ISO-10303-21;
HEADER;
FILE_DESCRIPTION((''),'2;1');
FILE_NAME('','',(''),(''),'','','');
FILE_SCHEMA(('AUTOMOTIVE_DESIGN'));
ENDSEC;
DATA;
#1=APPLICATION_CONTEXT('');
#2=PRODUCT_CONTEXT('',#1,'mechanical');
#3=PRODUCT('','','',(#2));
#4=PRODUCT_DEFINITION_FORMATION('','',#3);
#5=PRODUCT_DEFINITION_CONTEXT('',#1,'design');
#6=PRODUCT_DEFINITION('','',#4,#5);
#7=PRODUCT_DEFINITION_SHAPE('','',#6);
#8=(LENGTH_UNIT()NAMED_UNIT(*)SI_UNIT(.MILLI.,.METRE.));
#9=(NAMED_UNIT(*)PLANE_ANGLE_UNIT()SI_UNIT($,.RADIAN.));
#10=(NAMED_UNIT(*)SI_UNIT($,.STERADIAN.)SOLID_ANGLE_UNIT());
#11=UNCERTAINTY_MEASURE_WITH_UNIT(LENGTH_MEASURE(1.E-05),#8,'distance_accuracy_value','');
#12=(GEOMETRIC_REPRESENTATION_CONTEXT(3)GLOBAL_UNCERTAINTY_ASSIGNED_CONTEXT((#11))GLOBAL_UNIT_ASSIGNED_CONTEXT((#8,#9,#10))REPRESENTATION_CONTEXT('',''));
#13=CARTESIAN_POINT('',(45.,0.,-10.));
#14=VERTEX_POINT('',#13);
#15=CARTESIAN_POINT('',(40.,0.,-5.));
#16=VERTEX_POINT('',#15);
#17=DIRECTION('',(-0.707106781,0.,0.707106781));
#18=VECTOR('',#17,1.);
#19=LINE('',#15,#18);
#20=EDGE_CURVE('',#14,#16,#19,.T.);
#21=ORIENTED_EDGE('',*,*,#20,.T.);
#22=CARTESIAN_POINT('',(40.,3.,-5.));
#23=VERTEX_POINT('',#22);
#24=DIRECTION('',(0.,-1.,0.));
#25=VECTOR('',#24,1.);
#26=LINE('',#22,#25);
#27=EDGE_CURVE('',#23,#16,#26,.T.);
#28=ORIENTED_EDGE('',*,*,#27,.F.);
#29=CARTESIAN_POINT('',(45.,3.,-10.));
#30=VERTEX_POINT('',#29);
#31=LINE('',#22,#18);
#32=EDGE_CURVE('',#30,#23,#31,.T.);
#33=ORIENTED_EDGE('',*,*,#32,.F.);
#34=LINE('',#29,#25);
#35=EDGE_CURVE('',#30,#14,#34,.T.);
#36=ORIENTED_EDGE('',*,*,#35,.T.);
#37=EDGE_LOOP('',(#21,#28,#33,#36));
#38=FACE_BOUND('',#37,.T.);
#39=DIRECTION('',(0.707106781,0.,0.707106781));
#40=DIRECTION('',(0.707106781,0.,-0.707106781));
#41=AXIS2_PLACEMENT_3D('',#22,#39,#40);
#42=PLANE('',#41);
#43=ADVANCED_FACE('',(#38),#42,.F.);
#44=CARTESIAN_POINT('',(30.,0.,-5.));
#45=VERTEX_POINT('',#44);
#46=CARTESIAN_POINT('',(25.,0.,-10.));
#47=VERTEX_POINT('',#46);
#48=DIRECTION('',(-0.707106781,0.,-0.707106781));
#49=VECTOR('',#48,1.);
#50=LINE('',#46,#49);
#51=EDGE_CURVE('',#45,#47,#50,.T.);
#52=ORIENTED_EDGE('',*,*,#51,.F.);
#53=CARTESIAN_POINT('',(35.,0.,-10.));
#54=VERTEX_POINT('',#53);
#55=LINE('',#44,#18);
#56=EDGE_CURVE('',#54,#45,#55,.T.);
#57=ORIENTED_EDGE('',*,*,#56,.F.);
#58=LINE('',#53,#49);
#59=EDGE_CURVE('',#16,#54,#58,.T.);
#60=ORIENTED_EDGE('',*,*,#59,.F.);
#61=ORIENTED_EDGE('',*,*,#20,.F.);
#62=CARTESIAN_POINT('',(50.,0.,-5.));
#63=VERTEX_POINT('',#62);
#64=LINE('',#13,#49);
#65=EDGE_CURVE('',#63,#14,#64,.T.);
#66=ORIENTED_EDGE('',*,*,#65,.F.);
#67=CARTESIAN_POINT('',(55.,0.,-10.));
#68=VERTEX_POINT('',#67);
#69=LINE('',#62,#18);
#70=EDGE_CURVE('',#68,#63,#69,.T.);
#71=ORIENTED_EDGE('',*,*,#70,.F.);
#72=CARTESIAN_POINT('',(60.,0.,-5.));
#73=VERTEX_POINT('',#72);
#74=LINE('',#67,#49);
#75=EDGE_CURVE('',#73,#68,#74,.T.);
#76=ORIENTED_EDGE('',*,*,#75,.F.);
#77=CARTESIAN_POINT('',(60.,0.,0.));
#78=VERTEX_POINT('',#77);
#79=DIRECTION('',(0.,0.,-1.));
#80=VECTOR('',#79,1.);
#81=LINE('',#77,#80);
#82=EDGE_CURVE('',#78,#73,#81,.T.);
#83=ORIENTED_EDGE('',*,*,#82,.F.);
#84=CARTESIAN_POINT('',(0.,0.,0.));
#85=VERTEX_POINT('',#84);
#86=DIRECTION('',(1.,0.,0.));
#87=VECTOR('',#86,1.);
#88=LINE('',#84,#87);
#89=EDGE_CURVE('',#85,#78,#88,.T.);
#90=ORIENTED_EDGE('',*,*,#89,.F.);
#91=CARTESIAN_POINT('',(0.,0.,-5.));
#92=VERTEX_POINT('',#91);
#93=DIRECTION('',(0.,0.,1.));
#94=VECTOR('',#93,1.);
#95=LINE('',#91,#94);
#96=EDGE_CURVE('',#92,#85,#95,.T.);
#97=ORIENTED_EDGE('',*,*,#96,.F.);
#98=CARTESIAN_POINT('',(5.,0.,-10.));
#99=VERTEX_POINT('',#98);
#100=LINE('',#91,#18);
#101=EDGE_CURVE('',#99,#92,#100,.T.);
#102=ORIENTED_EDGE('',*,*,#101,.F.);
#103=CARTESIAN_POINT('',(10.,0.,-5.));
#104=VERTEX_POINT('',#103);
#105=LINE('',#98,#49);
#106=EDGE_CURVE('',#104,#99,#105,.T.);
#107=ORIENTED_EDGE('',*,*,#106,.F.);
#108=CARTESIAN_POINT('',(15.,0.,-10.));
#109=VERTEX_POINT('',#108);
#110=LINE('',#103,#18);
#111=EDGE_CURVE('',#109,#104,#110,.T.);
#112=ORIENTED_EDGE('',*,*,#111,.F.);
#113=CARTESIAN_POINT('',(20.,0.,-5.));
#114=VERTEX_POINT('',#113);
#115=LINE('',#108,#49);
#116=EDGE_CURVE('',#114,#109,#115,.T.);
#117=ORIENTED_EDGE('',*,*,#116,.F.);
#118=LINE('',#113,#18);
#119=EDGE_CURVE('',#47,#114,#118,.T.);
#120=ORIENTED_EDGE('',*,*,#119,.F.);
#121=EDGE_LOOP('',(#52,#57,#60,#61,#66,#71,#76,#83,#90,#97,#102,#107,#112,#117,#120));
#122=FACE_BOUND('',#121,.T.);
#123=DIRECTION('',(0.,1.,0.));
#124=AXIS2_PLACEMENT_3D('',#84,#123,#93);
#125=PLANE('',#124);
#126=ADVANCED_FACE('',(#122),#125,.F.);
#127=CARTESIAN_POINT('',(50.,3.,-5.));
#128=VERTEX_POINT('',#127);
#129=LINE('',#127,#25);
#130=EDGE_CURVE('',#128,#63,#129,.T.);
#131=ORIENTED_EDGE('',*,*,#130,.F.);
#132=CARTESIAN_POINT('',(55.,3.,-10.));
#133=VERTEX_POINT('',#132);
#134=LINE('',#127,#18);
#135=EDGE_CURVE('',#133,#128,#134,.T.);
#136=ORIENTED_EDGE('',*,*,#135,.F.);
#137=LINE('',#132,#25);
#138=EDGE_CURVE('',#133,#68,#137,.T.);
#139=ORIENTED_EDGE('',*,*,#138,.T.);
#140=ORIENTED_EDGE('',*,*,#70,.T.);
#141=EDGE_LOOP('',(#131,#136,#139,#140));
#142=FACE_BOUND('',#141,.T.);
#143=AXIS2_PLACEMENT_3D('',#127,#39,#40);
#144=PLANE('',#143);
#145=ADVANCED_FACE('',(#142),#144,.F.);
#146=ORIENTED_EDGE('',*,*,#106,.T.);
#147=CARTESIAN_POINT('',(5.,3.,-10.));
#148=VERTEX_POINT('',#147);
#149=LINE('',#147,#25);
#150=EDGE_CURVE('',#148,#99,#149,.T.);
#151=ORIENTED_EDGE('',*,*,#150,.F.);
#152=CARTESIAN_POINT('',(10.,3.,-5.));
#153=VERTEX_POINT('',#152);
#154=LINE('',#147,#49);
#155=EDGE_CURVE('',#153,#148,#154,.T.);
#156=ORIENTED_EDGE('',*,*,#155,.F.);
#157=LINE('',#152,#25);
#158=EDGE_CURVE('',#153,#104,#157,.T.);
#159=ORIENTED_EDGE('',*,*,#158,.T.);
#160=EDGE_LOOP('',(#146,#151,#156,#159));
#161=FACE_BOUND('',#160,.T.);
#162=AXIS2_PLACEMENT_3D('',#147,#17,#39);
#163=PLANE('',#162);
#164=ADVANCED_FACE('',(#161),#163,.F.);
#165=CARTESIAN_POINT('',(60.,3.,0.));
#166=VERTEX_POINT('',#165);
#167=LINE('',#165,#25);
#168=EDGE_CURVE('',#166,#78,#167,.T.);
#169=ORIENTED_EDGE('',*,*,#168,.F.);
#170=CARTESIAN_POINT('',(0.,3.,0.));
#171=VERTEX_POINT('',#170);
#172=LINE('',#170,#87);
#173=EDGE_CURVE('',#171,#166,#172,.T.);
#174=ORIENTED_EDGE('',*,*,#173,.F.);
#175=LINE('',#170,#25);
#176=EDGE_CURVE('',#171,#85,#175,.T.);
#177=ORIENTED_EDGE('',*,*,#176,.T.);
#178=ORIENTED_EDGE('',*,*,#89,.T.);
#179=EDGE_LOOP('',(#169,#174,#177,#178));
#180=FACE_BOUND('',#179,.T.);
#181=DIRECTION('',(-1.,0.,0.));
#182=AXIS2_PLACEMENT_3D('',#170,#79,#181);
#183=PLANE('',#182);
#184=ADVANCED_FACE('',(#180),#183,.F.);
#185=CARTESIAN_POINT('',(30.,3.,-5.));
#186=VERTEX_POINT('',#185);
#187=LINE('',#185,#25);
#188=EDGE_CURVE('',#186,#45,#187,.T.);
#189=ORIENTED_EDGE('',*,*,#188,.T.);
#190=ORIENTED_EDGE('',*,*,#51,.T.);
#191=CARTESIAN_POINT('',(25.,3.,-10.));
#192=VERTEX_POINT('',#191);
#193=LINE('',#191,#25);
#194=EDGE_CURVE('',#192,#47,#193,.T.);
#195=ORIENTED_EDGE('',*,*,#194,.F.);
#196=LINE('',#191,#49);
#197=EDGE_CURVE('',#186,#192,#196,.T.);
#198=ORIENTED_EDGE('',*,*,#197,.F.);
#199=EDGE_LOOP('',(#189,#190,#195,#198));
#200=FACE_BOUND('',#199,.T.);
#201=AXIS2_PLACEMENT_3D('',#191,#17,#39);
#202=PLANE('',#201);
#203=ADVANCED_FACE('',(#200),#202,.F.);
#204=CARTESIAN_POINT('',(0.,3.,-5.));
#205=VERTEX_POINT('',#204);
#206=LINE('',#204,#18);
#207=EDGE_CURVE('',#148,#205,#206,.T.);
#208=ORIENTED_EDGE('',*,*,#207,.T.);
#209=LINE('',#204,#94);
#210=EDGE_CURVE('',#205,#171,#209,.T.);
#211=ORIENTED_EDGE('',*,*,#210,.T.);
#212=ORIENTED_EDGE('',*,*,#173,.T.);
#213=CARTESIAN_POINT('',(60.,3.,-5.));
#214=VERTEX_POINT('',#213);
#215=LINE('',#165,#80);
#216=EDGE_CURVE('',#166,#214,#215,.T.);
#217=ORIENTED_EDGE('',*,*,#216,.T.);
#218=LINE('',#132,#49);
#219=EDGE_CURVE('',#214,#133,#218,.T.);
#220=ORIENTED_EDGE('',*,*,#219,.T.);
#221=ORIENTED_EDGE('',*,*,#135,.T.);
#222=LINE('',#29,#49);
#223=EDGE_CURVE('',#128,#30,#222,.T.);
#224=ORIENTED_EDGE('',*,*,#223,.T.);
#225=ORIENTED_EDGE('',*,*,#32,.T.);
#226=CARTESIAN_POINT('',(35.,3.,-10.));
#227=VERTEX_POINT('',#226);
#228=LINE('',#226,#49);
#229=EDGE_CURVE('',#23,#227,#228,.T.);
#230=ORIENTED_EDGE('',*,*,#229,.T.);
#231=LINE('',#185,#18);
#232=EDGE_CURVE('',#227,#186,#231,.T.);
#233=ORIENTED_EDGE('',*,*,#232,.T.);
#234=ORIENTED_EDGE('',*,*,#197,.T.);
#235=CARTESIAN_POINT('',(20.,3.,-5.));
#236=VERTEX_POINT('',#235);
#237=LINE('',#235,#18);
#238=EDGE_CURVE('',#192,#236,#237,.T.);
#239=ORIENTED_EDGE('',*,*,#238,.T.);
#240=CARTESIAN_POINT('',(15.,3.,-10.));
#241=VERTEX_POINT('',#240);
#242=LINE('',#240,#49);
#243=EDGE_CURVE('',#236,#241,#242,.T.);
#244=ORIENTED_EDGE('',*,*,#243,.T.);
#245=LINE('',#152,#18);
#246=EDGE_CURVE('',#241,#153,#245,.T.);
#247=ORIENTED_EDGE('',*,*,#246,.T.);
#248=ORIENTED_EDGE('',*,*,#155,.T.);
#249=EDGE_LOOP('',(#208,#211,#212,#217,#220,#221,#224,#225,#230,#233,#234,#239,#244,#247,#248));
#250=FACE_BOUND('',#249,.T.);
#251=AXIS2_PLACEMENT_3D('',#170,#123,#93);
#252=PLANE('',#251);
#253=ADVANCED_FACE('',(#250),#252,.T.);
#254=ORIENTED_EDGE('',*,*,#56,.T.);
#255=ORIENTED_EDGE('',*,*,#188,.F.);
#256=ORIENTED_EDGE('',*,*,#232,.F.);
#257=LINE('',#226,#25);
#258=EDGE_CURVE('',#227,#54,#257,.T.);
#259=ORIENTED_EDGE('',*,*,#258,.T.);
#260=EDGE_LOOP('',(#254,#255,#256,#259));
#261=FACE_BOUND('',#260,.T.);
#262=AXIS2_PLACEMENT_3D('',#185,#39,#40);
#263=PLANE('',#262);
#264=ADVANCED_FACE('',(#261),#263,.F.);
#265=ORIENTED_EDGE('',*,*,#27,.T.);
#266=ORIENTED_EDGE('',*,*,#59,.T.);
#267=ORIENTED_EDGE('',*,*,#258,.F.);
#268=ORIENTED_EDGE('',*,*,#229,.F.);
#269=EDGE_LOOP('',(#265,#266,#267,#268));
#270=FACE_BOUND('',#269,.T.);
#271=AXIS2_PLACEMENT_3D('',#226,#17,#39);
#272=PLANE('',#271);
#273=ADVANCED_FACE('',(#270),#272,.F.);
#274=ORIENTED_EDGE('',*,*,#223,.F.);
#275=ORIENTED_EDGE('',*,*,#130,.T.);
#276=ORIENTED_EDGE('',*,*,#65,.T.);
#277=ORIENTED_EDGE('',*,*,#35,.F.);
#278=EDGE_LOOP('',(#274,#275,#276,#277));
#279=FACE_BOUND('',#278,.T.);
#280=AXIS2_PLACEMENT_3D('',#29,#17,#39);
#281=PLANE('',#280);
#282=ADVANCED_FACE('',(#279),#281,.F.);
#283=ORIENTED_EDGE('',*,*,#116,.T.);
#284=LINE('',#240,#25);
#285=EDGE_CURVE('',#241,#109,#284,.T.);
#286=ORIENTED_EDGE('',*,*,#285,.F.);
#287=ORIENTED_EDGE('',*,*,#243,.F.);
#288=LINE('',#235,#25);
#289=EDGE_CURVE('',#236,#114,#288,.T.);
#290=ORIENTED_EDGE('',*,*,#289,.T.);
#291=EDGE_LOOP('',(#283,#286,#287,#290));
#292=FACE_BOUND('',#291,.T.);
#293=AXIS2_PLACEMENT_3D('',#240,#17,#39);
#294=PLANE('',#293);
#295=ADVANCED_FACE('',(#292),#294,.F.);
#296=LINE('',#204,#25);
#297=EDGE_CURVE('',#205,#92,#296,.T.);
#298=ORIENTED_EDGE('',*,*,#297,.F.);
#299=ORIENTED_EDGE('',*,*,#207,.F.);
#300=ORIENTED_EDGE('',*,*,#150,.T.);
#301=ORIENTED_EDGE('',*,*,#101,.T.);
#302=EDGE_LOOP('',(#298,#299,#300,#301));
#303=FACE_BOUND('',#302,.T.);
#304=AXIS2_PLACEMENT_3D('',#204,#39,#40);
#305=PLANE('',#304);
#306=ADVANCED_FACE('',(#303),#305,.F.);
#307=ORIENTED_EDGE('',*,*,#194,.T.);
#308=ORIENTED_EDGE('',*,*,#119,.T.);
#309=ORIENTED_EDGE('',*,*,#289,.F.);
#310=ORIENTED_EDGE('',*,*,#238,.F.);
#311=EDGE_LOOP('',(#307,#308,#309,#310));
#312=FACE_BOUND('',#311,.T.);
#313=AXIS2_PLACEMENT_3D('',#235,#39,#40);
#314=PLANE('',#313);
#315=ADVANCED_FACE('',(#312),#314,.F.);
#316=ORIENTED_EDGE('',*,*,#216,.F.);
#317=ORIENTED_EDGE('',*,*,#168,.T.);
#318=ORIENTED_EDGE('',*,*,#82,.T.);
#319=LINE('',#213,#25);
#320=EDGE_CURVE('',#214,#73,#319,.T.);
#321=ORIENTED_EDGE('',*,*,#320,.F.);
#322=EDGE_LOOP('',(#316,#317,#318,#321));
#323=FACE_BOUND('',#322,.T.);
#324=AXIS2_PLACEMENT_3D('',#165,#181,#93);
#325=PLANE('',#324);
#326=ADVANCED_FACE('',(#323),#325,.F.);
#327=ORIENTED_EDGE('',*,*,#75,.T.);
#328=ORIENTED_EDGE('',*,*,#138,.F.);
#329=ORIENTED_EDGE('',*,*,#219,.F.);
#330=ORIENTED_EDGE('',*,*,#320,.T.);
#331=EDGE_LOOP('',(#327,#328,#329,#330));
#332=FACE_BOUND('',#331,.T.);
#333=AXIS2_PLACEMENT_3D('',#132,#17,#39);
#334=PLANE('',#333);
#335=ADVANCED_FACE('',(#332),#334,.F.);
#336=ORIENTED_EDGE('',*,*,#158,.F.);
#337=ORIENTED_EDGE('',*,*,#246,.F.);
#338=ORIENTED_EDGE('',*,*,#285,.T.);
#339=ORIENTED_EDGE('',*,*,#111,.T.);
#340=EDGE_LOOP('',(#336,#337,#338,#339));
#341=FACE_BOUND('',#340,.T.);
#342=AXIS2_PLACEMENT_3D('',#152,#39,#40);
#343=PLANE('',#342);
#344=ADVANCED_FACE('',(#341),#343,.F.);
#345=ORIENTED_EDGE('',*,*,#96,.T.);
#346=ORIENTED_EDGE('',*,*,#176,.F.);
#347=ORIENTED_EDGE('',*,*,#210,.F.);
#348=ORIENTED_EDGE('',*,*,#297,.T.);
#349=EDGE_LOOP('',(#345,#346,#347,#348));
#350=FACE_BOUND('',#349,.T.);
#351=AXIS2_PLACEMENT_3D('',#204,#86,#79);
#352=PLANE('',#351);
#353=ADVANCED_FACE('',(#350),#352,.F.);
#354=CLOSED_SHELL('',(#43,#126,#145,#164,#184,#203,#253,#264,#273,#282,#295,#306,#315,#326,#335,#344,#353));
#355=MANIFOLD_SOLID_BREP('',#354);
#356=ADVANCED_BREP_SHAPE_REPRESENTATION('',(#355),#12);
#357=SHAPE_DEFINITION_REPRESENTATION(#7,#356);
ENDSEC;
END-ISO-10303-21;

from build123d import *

# Parameters (mm, degrees)
BOSS_EXTRUDE1_DEPTH = 3


with BuildPart() as part:
    # Sketch1 → Boss-Extrude1 (new body)
    with BuildSketch(Plane(origin=(0, 0, 0), x_dir=(1, 0, 0), z_dir=(0, 1, 0))):
        Polygon((0, 5), (5, 10), (10, 5), (15, 10), (20, 5), (25, 10), (30, 5), (35, 10), (40, 5), (45, 10), (50, 5), (55, 10), (60, 5), (60, 0), (0, 0), align=None)
    extrude(amount=BOSS_EXTRUDE1_DEPTH)


solid = part.part
